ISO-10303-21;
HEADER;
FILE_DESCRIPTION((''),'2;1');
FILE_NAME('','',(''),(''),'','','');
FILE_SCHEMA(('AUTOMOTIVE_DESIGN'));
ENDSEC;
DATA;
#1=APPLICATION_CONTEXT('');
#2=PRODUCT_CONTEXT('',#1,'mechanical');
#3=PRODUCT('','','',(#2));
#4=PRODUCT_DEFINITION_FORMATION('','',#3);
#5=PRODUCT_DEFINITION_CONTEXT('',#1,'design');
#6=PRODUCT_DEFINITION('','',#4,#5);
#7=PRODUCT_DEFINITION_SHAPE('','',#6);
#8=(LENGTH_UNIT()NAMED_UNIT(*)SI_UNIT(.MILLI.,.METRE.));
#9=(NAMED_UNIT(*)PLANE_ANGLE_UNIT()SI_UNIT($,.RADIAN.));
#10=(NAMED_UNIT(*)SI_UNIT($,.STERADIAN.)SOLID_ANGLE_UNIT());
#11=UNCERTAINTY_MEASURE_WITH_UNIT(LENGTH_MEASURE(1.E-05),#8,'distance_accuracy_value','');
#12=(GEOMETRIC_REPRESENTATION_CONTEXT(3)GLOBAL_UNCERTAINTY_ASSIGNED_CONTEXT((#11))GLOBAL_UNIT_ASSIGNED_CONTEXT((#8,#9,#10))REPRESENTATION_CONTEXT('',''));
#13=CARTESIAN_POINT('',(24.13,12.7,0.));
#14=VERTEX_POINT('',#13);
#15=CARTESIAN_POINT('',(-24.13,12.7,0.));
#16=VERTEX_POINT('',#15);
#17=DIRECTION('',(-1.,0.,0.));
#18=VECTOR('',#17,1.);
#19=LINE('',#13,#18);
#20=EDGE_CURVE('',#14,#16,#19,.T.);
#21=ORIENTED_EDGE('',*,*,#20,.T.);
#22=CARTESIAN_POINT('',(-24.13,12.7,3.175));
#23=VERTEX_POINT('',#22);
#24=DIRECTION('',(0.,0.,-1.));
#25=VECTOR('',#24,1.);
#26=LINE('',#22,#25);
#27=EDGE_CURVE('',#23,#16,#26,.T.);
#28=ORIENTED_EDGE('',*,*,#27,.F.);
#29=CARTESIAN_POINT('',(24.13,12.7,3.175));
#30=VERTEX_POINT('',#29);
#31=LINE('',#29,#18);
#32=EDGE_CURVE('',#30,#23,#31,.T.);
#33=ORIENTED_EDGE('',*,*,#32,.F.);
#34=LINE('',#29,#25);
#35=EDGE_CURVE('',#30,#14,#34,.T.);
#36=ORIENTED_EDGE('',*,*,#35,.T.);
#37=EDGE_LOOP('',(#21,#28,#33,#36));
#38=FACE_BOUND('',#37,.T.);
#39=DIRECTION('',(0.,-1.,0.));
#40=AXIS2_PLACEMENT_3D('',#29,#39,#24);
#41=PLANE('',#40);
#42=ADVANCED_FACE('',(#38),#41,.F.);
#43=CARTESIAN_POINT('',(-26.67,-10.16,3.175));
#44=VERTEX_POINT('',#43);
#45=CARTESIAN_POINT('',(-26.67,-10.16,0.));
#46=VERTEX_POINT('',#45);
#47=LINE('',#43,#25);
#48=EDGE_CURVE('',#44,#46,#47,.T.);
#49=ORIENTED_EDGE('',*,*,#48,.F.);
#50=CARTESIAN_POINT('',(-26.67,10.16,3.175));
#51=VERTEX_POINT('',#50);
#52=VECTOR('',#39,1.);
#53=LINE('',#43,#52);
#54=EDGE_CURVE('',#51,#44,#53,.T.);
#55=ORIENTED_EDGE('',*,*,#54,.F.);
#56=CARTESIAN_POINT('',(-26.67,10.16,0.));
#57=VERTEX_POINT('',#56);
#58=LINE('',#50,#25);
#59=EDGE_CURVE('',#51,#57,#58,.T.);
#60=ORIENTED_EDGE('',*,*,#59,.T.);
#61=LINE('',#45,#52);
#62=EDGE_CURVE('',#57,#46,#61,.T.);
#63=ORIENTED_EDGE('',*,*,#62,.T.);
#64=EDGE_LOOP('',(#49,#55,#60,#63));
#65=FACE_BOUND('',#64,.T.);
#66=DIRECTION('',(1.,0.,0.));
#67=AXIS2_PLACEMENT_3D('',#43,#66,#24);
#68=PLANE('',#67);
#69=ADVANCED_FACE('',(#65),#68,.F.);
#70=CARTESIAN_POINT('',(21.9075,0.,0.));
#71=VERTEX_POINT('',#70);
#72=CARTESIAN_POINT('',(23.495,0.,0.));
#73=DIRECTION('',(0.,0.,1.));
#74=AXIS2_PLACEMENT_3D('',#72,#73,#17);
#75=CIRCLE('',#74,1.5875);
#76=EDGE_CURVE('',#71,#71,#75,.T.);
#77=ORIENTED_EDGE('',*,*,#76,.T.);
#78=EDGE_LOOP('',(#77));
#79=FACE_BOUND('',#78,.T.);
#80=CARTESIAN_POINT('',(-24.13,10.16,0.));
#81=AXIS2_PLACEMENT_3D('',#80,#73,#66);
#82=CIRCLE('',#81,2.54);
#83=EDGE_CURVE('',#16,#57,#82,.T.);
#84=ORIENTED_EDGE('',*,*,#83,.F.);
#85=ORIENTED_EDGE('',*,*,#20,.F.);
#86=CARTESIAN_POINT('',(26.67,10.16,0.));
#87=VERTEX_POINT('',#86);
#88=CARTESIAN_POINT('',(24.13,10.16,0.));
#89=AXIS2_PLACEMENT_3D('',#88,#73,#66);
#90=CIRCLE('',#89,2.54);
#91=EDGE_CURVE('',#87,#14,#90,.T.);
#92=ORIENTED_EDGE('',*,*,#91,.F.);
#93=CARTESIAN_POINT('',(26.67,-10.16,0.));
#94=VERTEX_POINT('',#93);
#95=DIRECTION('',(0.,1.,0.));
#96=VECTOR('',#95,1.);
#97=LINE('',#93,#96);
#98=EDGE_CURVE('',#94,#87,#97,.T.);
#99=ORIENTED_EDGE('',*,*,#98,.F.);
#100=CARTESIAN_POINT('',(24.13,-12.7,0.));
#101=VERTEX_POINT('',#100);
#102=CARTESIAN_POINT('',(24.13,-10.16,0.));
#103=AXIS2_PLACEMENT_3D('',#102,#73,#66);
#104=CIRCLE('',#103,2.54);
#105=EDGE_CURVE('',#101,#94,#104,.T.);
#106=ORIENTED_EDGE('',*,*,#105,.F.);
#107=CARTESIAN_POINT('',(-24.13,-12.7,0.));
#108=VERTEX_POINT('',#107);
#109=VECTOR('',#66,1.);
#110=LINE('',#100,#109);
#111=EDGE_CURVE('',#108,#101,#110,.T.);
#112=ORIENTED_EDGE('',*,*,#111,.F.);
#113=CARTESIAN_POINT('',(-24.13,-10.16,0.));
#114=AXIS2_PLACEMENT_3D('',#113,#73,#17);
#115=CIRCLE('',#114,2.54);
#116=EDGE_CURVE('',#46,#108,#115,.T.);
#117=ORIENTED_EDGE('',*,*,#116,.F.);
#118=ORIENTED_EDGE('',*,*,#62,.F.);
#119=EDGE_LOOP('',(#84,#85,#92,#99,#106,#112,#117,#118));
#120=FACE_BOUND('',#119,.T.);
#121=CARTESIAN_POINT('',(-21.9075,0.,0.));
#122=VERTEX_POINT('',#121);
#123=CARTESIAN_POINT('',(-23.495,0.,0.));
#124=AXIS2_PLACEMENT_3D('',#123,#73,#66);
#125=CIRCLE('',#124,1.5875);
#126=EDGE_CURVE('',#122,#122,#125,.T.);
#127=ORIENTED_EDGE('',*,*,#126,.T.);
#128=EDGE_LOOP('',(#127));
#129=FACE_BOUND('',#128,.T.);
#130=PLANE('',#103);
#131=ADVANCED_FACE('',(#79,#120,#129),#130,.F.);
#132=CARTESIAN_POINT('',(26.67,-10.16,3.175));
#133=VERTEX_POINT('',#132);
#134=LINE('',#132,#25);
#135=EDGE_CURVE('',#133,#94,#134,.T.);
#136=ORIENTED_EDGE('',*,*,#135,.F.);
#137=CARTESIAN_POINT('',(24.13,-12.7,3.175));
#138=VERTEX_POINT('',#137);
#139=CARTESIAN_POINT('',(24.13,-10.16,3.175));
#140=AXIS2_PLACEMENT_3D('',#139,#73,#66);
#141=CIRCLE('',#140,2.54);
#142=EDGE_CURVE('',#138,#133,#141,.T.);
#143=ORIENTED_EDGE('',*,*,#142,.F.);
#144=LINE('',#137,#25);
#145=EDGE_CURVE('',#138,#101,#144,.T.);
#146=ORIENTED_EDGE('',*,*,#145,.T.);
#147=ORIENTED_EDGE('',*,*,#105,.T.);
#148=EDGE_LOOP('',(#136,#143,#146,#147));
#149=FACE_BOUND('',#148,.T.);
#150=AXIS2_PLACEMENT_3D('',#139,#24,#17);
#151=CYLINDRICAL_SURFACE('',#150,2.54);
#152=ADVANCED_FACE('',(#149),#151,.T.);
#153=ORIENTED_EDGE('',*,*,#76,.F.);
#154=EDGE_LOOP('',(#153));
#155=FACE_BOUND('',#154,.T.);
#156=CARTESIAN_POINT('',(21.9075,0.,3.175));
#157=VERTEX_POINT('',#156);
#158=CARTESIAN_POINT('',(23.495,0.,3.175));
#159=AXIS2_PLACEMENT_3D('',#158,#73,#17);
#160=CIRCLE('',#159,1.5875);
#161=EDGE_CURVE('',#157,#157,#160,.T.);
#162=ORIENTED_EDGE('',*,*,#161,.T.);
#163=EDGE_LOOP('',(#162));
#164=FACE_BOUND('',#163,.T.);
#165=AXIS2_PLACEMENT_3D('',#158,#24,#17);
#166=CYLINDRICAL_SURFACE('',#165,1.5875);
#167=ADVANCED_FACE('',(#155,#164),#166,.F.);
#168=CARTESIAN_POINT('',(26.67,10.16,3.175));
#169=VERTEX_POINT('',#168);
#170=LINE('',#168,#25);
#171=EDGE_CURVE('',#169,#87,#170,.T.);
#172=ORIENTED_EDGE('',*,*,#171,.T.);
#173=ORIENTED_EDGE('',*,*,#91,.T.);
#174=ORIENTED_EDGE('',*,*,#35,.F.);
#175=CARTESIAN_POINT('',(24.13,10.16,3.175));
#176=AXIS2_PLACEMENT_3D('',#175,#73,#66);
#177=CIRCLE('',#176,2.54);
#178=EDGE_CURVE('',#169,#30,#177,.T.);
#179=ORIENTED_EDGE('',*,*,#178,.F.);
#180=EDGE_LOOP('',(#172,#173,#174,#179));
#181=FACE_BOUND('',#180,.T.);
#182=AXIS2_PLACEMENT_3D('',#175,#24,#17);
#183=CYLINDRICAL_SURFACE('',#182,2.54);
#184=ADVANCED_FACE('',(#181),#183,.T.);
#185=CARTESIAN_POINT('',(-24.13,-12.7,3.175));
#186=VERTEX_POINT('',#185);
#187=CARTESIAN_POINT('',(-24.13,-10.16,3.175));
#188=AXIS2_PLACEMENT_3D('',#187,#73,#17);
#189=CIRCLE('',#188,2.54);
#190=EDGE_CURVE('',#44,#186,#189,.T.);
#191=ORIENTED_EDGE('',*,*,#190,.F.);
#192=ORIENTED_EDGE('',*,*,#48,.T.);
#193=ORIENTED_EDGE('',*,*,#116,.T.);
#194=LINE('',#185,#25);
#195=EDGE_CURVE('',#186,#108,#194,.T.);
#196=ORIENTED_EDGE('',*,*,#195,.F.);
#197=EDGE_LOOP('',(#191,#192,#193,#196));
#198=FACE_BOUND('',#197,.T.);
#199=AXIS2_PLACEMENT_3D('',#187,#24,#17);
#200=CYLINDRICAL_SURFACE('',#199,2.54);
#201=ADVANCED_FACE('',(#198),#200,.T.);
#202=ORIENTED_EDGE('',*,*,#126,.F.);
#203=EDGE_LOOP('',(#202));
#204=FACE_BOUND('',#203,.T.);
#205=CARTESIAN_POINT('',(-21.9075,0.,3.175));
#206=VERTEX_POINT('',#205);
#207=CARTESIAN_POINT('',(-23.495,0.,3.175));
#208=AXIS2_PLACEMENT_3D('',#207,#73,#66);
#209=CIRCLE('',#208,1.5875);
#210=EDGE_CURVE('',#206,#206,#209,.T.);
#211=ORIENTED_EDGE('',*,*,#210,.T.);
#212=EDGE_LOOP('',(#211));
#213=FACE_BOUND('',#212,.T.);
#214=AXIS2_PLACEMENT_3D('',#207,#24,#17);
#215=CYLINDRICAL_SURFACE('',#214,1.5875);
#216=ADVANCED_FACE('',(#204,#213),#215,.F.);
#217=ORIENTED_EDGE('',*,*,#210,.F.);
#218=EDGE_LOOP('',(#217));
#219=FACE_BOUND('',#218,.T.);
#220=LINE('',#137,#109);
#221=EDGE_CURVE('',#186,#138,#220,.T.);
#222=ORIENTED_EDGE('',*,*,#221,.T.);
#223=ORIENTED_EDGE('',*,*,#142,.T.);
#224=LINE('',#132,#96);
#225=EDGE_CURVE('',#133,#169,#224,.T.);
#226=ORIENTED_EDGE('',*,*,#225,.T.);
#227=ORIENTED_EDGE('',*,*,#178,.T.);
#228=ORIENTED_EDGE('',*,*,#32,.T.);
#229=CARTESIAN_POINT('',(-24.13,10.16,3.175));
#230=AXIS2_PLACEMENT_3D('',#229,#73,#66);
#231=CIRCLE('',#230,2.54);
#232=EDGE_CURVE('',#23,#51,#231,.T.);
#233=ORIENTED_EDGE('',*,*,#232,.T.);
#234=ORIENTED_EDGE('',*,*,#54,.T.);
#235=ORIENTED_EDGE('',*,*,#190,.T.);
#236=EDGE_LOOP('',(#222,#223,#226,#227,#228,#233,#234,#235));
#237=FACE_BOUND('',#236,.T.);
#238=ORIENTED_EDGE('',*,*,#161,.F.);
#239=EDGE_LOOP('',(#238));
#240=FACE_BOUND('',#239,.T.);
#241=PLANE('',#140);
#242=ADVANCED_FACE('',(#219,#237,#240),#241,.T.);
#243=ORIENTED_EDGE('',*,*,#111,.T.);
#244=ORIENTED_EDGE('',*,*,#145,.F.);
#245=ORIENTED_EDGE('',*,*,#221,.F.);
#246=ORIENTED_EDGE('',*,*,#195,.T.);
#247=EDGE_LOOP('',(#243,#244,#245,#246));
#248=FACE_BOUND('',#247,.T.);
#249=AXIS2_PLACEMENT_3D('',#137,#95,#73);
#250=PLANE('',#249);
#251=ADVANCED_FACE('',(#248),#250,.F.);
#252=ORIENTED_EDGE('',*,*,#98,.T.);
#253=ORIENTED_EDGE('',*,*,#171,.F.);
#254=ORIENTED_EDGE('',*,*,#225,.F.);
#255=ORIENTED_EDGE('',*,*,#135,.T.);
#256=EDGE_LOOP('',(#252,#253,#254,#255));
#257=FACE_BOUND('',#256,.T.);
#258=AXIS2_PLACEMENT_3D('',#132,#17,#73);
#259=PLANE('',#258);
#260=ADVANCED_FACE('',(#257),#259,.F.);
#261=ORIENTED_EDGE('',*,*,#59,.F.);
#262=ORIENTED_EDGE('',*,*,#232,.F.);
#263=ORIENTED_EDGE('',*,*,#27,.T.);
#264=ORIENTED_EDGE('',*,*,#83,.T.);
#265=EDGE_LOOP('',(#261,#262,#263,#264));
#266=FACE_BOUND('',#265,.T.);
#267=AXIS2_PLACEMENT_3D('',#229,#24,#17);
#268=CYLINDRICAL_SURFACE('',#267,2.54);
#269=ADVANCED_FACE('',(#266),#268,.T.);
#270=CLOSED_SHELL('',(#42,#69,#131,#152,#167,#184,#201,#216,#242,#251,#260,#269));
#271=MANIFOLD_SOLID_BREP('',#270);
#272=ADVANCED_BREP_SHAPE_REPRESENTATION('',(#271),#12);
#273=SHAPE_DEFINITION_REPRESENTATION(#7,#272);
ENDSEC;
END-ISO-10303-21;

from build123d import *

# Parameters (mm, degrees)
SKETCH1_R           = 1.5875
BOSS_EXTRUDE1_DEPTH = 3.175


with BuildPart() as part:
    # Sketch1 → Boss-Extrude1 (new body)
    with BuildSketch(Plane.XY):
        with BuildLine():
            Line((24.13, -12.7), (-24.13, -12.7))
            ThreePointArc((-24.13, -12.7), (-25.926051224, -11.956051224), (-26.67, -10.16))
            Line((-26.67, -10.16), (-26.67, 10.16))
            ThreePointArc((-26.67, 10.16), (-25.926051224, 11.956051224), (-24.13, 12.7))
            Line((-24.13, 12.7), (24.13, 12.7))
            ThreePointArc((24.13, 12.7), (25.926051224, 11.956051224), (26.67, 10.16))
            Line((26.67, 10.16), (26.67, -10.16))
            ThreePointArc((26.67, -10.16), (25.926051224, -11.956051224), (24.13, -12.7))
        make_face()
        with Locations((-23.495, 0)):
            Circle(SKETCH1_R, mode=Mode.SUBTRACT)
        with Locations((23.495, 0)):
            Circle(SKETCH1_R, mode=Mode.SUBTRACT)
    extrude(amount=BOSS_EXTRUDE1_DEPTH)


solid = part.part
